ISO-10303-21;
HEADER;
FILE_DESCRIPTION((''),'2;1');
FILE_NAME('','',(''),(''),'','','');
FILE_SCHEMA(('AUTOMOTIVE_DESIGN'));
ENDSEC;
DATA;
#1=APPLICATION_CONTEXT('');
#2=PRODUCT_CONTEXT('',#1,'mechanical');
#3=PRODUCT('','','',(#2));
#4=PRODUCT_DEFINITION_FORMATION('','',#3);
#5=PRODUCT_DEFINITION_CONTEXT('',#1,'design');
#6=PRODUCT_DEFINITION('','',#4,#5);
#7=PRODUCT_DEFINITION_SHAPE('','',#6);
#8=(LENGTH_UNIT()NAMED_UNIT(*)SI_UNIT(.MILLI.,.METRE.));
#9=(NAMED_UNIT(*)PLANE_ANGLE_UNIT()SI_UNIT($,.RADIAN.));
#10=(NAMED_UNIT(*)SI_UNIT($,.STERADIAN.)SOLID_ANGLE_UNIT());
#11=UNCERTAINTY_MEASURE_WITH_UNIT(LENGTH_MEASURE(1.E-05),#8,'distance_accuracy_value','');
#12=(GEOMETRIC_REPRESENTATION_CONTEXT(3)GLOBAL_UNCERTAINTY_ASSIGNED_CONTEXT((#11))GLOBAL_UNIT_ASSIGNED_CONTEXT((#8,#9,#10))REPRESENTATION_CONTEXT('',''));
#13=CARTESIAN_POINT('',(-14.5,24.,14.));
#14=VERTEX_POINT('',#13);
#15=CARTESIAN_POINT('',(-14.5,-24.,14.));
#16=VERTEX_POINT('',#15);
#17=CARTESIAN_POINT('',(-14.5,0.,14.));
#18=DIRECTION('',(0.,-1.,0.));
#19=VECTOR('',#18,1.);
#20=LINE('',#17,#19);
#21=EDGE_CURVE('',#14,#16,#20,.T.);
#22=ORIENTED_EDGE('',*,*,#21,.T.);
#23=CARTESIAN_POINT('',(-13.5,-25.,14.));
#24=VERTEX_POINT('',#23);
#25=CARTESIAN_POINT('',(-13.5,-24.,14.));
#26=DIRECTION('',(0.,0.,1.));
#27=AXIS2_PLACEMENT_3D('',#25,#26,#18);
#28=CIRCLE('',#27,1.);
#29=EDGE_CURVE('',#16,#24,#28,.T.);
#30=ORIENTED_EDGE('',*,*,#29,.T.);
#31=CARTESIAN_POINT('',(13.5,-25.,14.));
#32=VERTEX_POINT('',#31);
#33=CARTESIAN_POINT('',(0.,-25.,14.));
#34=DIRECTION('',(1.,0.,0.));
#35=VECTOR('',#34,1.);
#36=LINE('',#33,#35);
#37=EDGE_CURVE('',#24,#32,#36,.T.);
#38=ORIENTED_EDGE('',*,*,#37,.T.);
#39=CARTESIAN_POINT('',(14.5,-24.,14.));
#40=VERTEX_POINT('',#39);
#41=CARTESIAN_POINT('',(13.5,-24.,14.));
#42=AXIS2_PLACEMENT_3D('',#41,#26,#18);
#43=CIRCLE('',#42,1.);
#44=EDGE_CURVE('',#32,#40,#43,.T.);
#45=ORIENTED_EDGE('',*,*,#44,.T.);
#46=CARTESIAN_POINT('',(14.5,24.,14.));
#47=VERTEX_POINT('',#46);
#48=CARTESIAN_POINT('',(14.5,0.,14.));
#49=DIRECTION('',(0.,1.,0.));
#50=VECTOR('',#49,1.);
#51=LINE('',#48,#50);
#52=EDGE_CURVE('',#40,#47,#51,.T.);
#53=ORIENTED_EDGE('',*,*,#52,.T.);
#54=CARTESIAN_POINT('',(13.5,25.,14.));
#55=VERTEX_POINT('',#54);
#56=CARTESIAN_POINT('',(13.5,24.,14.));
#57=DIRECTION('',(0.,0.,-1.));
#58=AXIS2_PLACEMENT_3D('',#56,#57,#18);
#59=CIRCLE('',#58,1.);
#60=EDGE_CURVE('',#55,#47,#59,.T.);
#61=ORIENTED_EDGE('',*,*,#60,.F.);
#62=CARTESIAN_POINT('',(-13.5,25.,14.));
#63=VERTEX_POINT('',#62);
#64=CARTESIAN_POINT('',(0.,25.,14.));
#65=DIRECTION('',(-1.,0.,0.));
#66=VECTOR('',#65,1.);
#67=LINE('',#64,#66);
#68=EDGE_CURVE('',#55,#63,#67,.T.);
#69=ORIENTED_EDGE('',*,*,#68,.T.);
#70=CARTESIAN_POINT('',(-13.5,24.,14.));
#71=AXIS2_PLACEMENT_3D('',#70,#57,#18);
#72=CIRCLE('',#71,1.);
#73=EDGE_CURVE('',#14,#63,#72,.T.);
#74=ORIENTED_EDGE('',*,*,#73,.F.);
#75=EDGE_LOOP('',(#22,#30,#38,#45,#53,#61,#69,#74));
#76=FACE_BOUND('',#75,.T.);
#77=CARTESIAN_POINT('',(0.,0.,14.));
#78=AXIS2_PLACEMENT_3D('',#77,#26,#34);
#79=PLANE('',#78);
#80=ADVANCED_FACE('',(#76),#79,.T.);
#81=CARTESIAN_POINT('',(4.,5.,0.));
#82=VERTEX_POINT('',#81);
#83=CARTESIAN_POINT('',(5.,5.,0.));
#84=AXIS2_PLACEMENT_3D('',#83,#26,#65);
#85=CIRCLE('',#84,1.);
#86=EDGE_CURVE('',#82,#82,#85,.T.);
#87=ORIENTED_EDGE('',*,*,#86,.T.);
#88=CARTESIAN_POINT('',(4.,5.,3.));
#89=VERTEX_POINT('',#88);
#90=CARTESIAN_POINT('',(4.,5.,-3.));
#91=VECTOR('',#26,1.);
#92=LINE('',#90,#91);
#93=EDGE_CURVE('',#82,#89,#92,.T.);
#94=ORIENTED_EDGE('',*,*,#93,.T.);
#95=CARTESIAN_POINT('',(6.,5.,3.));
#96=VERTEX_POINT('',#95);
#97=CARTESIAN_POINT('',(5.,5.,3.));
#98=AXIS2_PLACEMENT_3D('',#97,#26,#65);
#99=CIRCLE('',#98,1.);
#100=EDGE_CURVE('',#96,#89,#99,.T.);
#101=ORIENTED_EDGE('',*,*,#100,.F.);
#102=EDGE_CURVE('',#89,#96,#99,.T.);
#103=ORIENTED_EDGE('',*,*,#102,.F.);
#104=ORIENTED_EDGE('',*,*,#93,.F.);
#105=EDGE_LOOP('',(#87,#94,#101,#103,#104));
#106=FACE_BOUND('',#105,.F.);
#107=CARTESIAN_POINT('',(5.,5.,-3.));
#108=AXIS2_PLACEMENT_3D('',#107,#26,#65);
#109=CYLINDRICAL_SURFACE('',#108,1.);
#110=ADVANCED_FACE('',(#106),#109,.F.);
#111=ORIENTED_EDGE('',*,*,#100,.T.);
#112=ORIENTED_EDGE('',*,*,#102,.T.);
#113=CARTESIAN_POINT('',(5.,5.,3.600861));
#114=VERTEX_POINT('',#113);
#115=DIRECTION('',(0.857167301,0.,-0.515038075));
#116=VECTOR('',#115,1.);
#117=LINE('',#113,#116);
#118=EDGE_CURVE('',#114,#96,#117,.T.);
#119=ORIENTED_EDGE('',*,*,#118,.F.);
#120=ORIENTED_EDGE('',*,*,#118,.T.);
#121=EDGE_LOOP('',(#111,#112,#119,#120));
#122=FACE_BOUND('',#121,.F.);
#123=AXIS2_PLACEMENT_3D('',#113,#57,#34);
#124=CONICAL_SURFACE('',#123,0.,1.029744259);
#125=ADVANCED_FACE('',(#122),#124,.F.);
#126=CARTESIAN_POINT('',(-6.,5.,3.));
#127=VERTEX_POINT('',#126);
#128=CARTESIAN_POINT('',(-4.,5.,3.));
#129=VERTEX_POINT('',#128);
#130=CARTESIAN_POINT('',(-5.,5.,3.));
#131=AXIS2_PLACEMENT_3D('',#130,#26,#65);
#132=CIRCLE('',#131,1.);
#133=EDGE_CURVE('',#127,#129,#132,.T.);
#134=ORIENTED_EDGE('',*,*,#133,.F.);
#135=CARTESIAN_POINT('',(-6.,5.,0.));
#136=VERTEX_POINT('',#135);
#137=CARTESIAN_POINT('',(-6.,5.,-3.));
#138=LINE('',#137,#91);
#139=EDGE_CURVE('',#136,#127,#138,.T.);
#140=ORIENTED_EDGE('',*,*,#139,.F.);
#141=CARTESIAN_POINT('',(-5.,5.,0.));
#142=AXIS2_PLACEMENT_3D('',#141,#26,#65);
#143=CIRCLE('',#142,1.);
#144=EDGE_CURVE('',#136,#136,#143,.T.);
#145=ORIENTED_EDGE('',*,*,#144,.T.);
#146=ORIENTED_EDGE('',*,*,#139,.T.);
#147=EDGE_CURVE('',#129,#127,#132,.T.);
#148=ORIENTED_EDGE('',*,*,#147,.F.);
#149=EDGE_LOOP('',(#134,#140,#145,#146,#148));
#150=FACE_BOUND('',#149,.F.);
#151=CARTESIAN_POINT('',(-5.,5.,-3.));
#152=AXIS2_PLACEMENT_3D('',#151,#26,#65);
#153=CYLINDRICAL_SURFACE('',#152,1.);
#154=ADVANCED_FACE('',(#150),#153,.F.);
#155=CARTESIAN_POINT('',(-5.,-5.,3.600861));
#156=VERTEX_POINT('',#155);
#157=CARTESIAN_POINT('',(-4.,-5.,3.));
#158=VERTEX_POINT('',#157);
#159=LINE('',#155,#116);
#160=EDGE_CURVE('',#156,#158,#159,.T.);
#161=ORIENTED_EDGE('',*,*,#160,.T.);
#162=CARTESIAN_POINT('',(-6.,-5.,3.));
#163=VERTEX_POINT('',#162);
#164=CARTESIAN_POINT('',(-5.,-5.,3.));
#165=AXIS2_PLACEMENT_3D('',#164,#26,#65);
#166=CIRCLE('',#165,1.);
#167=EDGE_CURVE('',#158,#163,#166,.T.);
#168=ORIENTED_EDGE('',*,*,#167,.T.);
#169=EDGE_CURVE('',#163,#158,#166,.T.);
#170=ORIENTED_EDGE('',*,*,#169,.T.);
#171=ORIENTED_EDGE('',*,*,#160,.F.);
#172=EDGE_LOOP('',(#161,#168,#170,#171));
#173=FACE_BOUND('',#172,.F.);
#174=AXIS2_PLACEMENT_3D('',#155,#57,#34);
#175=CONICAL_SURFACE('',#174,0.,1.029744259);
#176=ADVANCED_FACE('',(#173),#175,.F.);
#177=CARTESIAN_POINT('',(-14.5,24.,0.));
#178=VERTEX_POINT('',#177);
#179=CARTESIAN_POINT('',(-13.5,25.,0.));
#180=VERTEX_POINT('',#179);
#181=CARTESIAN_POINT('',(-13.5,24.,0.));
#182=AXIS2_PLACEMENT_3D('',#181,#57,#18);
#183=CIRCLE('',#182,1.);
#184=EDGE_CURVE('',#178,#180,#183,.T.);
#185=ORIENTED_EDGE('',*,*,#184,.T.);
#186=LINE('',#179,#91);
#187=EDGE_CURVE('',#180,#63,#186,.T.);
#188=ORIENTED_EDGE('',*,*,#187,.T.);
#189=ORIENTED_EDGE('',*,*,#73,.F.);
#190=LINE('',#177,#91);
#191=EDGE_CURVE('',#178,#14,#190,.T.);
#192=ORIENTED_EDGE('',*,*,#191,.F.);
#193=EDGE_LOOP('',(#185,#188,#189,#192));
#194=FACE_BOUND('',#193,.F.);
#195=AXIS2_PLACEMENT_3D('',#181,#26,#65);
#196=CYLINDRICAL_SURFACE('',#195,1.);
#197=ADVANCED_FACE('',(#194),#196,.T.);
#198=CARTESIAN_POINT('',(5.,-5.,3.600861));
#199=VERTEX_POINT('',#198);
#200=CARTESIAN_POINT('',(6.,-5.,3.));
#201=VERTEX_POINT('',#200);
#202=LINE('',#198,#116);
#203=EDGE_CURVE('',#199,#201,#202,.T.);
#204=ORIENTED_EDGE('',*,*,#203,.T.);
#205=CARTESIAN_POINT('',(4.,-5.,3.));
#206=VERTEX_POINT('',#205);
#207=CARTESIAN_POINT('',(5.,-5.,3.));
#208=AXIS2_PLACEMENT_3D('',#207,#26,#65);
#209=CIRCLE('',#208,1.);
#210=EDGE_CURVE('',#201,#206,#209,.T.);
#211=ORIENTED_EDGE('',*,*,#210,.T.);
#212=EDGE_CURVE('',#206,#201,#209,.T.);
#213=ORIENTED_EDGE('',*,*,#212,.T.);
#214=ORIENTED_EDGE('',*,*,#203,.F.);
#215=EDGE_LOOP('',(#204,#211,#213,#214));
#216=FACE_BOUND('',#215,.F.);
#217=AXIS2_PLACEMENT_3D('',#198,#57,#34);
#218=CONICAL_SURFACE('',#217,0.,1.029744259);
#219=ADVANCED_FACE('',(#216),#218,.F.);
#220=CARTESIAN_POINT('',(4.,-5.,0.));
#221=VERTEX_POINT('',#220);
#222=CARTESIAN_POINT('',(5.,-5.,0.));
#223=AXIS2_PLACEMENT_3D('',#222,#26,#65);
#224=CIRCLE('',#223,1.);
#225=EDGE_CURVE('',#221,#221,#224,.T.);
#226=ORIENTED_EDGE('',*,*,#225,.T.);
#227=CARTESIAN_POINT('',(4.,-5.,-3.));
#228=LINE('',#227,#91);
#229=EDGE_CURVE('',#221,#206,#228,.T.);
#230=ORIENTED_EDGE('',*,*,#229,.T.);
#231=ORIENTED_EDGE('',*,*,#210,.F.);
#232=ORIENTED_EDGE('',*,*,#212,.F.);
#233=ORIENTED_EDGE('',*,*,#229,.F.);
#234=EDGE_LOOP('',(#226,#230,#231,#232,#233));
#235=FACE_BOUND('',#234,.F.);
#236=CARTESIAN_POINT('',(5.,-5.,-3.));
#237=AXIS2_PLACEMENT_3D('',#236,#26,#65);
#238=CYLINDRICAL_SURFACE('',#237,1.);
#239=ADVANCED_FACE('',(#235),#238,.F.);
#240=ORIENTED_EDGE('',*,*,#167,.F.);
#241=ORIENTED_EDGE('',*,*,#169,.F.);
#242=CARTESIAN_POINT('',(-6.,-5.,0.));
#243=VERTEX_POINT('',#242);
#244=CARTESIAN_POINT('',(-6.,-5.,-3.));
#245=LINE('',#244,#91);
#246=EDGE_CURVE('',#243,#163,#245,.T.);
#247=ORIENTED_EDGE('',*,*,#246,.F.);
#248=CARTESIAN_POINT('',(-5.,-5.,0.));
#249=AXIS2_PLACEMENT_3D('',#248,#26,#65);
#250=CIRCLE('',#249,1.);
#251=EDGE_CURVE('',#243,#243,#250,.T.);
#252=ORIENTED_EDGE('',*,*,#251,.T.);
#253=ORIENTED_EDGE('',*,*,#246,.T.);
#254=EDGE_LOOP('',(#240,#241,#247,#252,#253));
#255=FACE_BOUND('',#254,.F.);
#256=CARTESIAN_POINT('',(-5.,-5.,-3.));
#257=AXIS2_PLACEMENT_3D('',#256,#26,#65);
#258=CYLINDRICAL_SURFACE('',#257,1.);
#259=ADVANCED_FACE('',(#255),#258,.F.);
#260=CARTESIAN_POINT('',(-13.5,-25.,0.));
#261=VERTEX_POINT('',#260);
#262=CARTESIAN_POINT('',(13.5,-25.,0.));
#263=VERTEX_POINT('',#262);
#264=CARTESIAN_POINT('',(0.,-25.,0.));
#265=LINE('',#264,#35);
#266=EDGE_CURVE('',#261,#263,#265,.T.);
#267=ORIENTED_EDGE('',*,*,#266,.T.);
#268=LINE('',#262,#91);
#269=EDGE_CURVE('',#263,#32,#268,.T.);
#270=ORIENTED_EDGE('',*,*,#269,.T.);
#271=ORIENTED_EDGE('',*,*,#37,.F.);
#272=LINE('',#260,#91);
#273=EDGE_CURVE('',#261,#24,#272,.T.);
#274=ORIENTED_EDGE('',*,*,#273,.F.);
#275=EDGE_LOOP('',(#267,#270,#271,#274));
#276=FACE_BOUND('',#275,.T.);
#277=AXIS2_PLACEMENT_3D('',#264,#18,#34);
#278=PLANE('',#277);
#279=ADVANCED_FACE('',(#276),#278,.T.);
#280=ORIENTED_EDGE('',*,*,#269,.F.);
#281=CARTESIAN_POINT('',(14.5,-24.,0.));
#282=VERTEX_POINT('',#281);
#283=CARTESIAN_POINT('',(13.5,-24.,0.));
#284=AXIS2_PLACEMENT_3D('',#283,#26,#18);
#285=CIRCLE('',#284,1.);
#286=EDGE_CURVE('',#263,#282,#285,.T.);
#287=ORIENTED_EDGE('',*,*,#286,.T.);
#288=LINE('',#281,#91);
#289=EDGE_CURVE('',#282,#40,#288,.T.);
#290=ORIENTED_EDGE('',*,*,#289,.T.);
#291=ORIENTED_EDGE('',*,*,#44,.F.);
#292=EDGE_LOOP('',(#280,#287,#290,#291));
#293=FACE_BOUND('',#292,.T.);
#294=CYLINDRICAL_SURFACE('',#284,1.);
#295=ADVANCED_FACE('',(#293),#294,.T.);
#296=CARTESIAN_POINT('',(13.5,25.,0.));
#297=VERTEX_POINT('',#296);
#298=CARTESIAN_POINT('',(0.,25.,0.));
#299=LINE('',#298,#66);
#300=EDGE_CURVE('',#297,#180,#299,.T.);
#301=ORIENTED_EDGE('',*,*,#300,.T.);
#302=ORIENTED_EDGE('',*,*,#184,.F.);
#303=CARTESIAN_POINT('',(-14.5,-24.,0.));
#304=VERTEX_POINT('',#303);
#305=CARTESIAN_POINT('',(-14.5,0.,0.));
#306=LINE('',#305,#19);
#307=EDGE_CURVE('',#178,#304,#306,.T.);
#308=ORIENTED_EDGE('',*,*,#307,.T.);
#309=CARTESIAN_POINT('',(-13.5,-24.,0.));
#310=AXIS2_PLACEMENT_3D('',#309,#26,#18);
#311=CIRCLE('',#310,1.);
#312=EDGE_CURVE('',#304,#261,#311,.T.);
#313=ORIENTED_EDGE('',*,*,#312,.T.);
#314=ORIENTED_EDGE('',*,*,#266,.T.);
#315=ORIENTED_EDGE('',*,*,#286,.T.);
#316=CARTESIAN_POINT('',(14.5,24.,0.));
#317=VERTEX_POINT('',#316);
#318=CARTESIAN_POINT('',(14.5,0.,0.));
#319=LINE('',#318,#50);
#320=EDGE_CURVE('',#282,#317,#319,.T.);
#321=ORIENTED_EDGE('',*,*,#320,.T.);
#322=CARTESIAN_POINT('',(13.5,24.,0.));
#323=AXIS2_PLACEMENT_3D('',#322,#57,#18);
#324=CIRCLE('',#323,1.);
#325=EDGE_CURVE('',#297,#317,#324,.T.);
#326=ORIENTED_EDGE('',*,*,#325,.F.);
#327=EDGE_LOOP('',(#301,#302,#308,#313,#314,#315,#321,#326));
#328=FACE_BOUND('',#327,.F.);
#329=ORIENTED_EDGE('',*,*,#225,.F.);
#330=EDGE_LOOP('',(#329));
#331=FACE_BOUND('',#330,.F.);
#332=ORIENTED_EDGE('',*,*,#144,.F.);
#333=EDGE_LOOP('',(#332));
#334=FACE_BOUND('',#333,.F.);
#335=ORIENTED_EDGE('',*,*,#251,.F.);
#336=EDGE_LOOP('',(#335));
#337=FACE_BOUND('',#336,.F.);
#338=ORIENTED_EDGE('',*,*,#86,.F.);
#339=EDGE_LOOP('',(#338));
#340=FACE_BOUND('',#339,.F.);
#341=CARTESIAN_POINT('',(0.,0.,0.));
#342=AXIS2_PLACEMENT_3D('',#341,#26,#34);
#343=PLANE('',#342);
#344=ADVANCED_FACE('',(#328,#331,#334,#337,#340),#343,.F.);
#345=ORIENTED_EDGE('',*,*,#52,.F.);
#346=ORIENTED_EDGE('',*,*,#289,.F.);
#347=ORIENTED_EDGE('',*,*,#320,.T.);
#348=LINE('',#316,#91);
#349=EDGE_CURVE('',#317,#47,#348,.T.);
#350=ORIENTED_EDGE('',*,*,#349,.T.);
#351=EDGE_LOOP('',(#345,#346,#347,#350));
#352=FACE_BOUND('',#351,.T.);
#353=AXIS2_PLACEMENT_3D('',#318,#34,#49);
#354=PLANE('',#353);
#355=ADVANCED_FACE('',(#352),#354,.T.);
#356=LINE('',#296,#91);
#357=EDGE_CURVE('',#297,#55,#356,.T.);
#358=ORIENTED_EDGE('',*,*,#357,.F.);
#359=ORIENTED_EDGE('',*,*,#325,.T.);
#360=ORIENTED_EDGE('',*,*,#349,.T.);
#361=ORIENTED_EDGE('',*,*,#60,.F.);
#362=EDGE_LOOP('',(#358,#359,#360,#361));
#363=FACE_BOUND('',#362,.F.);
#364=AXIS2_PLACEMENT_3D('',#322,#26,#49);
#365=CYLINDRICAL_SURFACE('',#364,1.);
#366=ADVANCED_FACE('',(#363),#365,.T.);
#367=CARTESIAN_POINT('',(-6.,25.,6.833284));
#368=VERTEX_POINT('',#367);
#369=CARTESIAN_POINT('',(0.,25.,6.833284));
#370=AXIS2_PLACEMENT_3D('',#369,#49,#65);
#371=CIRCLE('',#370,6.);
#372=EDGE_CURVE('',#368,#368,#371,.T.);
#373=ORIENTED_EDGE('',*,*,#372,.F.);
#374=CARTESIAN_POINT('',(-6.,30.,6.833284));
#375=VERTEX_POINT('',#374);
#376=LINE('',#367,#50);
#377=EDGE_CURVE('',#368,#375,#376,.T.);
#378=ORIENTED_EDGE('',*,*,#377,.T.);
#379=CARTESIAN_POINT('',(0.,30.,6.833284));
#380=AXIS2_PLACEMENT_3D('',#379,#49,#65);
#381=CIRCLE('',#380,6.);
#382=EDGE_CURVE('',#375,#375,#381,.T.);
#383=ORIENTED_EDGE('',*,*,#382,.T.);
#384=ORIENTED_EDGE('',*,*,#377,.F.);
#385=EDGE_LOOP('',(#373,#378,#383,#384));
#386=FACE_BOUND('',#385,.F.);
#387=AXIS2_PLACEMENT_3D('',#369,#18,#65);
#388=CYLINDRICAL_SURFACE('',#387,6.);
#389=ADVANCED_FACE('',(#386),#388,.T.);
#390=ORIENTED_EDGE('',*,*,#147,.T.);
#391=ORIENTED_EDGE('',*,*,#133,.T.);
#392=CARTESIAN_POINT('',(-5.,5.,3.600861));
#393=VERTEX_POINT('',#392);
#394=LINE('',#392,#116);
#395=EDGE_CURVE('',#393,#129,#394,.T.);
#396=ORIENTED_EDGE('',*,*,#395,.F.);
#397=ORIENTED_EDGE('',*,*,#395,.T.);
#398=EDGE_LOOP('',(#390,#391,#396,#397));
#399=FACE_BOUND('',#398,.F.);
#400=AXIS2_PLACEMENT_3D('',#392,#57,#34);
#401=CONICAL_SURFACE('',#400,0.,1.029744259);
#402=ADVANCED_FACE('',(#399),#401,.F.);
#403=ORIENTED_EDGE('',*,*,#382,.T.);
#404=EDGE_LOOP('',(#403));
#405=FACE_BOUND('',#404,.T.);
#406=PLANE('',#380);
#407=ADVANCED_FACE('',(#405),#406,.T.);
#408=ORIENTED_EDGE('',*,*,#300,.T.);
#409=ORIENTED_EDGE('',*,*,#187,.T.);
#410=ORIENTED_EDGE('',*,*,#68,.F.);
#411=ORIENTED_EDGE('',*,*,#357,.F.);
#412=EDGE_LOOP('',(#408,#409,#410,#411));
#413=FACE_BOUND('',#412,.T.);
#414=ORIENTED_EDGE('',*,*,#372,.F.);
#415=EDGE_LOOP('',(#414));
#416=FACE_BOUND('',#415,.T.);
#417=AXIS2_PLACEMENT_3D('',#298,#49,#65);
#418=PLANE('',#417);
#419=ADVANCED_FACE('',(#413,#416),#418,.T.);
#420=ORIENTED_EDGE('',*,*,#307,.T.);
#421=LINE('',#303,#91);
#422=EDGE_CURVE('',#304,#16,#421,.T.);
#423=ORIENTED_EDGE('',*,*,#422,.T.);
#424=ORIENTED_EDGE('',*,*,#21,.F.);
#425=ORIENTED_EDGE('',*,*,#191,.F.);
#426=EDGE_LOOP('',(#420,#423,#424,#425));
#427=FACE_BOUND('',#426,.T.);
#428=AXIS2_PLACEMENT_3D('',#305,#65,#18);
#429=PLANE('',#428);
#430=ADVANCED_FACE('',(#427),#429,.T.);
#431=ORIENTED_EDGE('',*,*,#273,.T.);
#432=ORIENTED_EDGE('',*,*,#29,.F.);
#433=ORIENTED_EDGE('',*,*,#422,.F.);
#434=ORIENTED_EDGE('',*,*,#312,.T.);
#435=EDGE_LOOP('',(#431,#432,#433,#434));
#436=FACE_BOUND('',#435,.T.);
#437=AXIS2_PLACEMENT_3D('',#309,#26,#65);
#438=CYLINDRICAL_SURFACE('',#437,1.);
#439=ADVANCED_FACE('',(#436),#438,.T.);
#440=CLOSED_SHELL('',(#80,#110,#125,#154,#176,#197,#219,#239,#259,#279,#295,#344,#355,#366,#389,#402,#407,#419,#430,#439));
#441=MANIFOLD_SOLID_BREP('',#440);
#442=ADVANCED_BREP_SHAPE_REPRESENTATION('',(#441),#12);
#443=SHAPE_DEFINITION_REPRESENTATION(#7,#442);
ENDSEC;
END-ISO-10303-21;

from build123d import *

# Parameters (mm, degrees)
F0_W     = 29
F0_H     = 50
F3_D     = 2
F3_DEPTH = 3
F3_TIP   = 0.600860619
F4_R     = 1
F5_R     = 6
F6_DEPTH = 5


with BuildPart() as f2:
    # F2: sweep along a path in F1
    with BuildLine(Plane.XZ) as f2_path:
        Line((0, 0), (0, 14))
    # F0 (on Top) → F2 (sweep)
    with BuildSketch(Plane.XY):
        Rectangle(F0_W, F0_H)
    sweep(path=f2_path.line)

    # F3
    with Locations(Plane(origin=(0, 0, 0), x_dir=(1, 0, 0), z_dir=(0, 0, -1))):
        with Locations((5, -5), (-5, -5), (-5, 5), (5, 5)):
            Hole(F3_D / 2, depth=F3_DEPTH)
            with Locations((0, 0, -(F3_DEPTH + F3_TIP / 2))):  # 118° drill point
                Cone(0, F3_D / 2, F3_TIP, mode=Mode.SUBTRACT)

    # F4
    f4_edges = [f2.edges().sort_by_distance(p)[0] for p in [
        (14.5, -25, 7),
        (-14.5, -25, 7),
        (14.5, 25, 7),
        (-14.5, 25, 7),
    ]]
    fillet(f4_edges, radius=F4_R)

    # F5 (on face) → F6 (join)
    with BuildSketch(Plane(origin=(0, 25, 0), x_dir=(-1, 0, 0), z_dir=(0, 1, 0))):
        with Locations((0, 6.833284162)):
            Circle(F5_R)
    extrude(amount=F6_DEPTH)


solid = f2.part
